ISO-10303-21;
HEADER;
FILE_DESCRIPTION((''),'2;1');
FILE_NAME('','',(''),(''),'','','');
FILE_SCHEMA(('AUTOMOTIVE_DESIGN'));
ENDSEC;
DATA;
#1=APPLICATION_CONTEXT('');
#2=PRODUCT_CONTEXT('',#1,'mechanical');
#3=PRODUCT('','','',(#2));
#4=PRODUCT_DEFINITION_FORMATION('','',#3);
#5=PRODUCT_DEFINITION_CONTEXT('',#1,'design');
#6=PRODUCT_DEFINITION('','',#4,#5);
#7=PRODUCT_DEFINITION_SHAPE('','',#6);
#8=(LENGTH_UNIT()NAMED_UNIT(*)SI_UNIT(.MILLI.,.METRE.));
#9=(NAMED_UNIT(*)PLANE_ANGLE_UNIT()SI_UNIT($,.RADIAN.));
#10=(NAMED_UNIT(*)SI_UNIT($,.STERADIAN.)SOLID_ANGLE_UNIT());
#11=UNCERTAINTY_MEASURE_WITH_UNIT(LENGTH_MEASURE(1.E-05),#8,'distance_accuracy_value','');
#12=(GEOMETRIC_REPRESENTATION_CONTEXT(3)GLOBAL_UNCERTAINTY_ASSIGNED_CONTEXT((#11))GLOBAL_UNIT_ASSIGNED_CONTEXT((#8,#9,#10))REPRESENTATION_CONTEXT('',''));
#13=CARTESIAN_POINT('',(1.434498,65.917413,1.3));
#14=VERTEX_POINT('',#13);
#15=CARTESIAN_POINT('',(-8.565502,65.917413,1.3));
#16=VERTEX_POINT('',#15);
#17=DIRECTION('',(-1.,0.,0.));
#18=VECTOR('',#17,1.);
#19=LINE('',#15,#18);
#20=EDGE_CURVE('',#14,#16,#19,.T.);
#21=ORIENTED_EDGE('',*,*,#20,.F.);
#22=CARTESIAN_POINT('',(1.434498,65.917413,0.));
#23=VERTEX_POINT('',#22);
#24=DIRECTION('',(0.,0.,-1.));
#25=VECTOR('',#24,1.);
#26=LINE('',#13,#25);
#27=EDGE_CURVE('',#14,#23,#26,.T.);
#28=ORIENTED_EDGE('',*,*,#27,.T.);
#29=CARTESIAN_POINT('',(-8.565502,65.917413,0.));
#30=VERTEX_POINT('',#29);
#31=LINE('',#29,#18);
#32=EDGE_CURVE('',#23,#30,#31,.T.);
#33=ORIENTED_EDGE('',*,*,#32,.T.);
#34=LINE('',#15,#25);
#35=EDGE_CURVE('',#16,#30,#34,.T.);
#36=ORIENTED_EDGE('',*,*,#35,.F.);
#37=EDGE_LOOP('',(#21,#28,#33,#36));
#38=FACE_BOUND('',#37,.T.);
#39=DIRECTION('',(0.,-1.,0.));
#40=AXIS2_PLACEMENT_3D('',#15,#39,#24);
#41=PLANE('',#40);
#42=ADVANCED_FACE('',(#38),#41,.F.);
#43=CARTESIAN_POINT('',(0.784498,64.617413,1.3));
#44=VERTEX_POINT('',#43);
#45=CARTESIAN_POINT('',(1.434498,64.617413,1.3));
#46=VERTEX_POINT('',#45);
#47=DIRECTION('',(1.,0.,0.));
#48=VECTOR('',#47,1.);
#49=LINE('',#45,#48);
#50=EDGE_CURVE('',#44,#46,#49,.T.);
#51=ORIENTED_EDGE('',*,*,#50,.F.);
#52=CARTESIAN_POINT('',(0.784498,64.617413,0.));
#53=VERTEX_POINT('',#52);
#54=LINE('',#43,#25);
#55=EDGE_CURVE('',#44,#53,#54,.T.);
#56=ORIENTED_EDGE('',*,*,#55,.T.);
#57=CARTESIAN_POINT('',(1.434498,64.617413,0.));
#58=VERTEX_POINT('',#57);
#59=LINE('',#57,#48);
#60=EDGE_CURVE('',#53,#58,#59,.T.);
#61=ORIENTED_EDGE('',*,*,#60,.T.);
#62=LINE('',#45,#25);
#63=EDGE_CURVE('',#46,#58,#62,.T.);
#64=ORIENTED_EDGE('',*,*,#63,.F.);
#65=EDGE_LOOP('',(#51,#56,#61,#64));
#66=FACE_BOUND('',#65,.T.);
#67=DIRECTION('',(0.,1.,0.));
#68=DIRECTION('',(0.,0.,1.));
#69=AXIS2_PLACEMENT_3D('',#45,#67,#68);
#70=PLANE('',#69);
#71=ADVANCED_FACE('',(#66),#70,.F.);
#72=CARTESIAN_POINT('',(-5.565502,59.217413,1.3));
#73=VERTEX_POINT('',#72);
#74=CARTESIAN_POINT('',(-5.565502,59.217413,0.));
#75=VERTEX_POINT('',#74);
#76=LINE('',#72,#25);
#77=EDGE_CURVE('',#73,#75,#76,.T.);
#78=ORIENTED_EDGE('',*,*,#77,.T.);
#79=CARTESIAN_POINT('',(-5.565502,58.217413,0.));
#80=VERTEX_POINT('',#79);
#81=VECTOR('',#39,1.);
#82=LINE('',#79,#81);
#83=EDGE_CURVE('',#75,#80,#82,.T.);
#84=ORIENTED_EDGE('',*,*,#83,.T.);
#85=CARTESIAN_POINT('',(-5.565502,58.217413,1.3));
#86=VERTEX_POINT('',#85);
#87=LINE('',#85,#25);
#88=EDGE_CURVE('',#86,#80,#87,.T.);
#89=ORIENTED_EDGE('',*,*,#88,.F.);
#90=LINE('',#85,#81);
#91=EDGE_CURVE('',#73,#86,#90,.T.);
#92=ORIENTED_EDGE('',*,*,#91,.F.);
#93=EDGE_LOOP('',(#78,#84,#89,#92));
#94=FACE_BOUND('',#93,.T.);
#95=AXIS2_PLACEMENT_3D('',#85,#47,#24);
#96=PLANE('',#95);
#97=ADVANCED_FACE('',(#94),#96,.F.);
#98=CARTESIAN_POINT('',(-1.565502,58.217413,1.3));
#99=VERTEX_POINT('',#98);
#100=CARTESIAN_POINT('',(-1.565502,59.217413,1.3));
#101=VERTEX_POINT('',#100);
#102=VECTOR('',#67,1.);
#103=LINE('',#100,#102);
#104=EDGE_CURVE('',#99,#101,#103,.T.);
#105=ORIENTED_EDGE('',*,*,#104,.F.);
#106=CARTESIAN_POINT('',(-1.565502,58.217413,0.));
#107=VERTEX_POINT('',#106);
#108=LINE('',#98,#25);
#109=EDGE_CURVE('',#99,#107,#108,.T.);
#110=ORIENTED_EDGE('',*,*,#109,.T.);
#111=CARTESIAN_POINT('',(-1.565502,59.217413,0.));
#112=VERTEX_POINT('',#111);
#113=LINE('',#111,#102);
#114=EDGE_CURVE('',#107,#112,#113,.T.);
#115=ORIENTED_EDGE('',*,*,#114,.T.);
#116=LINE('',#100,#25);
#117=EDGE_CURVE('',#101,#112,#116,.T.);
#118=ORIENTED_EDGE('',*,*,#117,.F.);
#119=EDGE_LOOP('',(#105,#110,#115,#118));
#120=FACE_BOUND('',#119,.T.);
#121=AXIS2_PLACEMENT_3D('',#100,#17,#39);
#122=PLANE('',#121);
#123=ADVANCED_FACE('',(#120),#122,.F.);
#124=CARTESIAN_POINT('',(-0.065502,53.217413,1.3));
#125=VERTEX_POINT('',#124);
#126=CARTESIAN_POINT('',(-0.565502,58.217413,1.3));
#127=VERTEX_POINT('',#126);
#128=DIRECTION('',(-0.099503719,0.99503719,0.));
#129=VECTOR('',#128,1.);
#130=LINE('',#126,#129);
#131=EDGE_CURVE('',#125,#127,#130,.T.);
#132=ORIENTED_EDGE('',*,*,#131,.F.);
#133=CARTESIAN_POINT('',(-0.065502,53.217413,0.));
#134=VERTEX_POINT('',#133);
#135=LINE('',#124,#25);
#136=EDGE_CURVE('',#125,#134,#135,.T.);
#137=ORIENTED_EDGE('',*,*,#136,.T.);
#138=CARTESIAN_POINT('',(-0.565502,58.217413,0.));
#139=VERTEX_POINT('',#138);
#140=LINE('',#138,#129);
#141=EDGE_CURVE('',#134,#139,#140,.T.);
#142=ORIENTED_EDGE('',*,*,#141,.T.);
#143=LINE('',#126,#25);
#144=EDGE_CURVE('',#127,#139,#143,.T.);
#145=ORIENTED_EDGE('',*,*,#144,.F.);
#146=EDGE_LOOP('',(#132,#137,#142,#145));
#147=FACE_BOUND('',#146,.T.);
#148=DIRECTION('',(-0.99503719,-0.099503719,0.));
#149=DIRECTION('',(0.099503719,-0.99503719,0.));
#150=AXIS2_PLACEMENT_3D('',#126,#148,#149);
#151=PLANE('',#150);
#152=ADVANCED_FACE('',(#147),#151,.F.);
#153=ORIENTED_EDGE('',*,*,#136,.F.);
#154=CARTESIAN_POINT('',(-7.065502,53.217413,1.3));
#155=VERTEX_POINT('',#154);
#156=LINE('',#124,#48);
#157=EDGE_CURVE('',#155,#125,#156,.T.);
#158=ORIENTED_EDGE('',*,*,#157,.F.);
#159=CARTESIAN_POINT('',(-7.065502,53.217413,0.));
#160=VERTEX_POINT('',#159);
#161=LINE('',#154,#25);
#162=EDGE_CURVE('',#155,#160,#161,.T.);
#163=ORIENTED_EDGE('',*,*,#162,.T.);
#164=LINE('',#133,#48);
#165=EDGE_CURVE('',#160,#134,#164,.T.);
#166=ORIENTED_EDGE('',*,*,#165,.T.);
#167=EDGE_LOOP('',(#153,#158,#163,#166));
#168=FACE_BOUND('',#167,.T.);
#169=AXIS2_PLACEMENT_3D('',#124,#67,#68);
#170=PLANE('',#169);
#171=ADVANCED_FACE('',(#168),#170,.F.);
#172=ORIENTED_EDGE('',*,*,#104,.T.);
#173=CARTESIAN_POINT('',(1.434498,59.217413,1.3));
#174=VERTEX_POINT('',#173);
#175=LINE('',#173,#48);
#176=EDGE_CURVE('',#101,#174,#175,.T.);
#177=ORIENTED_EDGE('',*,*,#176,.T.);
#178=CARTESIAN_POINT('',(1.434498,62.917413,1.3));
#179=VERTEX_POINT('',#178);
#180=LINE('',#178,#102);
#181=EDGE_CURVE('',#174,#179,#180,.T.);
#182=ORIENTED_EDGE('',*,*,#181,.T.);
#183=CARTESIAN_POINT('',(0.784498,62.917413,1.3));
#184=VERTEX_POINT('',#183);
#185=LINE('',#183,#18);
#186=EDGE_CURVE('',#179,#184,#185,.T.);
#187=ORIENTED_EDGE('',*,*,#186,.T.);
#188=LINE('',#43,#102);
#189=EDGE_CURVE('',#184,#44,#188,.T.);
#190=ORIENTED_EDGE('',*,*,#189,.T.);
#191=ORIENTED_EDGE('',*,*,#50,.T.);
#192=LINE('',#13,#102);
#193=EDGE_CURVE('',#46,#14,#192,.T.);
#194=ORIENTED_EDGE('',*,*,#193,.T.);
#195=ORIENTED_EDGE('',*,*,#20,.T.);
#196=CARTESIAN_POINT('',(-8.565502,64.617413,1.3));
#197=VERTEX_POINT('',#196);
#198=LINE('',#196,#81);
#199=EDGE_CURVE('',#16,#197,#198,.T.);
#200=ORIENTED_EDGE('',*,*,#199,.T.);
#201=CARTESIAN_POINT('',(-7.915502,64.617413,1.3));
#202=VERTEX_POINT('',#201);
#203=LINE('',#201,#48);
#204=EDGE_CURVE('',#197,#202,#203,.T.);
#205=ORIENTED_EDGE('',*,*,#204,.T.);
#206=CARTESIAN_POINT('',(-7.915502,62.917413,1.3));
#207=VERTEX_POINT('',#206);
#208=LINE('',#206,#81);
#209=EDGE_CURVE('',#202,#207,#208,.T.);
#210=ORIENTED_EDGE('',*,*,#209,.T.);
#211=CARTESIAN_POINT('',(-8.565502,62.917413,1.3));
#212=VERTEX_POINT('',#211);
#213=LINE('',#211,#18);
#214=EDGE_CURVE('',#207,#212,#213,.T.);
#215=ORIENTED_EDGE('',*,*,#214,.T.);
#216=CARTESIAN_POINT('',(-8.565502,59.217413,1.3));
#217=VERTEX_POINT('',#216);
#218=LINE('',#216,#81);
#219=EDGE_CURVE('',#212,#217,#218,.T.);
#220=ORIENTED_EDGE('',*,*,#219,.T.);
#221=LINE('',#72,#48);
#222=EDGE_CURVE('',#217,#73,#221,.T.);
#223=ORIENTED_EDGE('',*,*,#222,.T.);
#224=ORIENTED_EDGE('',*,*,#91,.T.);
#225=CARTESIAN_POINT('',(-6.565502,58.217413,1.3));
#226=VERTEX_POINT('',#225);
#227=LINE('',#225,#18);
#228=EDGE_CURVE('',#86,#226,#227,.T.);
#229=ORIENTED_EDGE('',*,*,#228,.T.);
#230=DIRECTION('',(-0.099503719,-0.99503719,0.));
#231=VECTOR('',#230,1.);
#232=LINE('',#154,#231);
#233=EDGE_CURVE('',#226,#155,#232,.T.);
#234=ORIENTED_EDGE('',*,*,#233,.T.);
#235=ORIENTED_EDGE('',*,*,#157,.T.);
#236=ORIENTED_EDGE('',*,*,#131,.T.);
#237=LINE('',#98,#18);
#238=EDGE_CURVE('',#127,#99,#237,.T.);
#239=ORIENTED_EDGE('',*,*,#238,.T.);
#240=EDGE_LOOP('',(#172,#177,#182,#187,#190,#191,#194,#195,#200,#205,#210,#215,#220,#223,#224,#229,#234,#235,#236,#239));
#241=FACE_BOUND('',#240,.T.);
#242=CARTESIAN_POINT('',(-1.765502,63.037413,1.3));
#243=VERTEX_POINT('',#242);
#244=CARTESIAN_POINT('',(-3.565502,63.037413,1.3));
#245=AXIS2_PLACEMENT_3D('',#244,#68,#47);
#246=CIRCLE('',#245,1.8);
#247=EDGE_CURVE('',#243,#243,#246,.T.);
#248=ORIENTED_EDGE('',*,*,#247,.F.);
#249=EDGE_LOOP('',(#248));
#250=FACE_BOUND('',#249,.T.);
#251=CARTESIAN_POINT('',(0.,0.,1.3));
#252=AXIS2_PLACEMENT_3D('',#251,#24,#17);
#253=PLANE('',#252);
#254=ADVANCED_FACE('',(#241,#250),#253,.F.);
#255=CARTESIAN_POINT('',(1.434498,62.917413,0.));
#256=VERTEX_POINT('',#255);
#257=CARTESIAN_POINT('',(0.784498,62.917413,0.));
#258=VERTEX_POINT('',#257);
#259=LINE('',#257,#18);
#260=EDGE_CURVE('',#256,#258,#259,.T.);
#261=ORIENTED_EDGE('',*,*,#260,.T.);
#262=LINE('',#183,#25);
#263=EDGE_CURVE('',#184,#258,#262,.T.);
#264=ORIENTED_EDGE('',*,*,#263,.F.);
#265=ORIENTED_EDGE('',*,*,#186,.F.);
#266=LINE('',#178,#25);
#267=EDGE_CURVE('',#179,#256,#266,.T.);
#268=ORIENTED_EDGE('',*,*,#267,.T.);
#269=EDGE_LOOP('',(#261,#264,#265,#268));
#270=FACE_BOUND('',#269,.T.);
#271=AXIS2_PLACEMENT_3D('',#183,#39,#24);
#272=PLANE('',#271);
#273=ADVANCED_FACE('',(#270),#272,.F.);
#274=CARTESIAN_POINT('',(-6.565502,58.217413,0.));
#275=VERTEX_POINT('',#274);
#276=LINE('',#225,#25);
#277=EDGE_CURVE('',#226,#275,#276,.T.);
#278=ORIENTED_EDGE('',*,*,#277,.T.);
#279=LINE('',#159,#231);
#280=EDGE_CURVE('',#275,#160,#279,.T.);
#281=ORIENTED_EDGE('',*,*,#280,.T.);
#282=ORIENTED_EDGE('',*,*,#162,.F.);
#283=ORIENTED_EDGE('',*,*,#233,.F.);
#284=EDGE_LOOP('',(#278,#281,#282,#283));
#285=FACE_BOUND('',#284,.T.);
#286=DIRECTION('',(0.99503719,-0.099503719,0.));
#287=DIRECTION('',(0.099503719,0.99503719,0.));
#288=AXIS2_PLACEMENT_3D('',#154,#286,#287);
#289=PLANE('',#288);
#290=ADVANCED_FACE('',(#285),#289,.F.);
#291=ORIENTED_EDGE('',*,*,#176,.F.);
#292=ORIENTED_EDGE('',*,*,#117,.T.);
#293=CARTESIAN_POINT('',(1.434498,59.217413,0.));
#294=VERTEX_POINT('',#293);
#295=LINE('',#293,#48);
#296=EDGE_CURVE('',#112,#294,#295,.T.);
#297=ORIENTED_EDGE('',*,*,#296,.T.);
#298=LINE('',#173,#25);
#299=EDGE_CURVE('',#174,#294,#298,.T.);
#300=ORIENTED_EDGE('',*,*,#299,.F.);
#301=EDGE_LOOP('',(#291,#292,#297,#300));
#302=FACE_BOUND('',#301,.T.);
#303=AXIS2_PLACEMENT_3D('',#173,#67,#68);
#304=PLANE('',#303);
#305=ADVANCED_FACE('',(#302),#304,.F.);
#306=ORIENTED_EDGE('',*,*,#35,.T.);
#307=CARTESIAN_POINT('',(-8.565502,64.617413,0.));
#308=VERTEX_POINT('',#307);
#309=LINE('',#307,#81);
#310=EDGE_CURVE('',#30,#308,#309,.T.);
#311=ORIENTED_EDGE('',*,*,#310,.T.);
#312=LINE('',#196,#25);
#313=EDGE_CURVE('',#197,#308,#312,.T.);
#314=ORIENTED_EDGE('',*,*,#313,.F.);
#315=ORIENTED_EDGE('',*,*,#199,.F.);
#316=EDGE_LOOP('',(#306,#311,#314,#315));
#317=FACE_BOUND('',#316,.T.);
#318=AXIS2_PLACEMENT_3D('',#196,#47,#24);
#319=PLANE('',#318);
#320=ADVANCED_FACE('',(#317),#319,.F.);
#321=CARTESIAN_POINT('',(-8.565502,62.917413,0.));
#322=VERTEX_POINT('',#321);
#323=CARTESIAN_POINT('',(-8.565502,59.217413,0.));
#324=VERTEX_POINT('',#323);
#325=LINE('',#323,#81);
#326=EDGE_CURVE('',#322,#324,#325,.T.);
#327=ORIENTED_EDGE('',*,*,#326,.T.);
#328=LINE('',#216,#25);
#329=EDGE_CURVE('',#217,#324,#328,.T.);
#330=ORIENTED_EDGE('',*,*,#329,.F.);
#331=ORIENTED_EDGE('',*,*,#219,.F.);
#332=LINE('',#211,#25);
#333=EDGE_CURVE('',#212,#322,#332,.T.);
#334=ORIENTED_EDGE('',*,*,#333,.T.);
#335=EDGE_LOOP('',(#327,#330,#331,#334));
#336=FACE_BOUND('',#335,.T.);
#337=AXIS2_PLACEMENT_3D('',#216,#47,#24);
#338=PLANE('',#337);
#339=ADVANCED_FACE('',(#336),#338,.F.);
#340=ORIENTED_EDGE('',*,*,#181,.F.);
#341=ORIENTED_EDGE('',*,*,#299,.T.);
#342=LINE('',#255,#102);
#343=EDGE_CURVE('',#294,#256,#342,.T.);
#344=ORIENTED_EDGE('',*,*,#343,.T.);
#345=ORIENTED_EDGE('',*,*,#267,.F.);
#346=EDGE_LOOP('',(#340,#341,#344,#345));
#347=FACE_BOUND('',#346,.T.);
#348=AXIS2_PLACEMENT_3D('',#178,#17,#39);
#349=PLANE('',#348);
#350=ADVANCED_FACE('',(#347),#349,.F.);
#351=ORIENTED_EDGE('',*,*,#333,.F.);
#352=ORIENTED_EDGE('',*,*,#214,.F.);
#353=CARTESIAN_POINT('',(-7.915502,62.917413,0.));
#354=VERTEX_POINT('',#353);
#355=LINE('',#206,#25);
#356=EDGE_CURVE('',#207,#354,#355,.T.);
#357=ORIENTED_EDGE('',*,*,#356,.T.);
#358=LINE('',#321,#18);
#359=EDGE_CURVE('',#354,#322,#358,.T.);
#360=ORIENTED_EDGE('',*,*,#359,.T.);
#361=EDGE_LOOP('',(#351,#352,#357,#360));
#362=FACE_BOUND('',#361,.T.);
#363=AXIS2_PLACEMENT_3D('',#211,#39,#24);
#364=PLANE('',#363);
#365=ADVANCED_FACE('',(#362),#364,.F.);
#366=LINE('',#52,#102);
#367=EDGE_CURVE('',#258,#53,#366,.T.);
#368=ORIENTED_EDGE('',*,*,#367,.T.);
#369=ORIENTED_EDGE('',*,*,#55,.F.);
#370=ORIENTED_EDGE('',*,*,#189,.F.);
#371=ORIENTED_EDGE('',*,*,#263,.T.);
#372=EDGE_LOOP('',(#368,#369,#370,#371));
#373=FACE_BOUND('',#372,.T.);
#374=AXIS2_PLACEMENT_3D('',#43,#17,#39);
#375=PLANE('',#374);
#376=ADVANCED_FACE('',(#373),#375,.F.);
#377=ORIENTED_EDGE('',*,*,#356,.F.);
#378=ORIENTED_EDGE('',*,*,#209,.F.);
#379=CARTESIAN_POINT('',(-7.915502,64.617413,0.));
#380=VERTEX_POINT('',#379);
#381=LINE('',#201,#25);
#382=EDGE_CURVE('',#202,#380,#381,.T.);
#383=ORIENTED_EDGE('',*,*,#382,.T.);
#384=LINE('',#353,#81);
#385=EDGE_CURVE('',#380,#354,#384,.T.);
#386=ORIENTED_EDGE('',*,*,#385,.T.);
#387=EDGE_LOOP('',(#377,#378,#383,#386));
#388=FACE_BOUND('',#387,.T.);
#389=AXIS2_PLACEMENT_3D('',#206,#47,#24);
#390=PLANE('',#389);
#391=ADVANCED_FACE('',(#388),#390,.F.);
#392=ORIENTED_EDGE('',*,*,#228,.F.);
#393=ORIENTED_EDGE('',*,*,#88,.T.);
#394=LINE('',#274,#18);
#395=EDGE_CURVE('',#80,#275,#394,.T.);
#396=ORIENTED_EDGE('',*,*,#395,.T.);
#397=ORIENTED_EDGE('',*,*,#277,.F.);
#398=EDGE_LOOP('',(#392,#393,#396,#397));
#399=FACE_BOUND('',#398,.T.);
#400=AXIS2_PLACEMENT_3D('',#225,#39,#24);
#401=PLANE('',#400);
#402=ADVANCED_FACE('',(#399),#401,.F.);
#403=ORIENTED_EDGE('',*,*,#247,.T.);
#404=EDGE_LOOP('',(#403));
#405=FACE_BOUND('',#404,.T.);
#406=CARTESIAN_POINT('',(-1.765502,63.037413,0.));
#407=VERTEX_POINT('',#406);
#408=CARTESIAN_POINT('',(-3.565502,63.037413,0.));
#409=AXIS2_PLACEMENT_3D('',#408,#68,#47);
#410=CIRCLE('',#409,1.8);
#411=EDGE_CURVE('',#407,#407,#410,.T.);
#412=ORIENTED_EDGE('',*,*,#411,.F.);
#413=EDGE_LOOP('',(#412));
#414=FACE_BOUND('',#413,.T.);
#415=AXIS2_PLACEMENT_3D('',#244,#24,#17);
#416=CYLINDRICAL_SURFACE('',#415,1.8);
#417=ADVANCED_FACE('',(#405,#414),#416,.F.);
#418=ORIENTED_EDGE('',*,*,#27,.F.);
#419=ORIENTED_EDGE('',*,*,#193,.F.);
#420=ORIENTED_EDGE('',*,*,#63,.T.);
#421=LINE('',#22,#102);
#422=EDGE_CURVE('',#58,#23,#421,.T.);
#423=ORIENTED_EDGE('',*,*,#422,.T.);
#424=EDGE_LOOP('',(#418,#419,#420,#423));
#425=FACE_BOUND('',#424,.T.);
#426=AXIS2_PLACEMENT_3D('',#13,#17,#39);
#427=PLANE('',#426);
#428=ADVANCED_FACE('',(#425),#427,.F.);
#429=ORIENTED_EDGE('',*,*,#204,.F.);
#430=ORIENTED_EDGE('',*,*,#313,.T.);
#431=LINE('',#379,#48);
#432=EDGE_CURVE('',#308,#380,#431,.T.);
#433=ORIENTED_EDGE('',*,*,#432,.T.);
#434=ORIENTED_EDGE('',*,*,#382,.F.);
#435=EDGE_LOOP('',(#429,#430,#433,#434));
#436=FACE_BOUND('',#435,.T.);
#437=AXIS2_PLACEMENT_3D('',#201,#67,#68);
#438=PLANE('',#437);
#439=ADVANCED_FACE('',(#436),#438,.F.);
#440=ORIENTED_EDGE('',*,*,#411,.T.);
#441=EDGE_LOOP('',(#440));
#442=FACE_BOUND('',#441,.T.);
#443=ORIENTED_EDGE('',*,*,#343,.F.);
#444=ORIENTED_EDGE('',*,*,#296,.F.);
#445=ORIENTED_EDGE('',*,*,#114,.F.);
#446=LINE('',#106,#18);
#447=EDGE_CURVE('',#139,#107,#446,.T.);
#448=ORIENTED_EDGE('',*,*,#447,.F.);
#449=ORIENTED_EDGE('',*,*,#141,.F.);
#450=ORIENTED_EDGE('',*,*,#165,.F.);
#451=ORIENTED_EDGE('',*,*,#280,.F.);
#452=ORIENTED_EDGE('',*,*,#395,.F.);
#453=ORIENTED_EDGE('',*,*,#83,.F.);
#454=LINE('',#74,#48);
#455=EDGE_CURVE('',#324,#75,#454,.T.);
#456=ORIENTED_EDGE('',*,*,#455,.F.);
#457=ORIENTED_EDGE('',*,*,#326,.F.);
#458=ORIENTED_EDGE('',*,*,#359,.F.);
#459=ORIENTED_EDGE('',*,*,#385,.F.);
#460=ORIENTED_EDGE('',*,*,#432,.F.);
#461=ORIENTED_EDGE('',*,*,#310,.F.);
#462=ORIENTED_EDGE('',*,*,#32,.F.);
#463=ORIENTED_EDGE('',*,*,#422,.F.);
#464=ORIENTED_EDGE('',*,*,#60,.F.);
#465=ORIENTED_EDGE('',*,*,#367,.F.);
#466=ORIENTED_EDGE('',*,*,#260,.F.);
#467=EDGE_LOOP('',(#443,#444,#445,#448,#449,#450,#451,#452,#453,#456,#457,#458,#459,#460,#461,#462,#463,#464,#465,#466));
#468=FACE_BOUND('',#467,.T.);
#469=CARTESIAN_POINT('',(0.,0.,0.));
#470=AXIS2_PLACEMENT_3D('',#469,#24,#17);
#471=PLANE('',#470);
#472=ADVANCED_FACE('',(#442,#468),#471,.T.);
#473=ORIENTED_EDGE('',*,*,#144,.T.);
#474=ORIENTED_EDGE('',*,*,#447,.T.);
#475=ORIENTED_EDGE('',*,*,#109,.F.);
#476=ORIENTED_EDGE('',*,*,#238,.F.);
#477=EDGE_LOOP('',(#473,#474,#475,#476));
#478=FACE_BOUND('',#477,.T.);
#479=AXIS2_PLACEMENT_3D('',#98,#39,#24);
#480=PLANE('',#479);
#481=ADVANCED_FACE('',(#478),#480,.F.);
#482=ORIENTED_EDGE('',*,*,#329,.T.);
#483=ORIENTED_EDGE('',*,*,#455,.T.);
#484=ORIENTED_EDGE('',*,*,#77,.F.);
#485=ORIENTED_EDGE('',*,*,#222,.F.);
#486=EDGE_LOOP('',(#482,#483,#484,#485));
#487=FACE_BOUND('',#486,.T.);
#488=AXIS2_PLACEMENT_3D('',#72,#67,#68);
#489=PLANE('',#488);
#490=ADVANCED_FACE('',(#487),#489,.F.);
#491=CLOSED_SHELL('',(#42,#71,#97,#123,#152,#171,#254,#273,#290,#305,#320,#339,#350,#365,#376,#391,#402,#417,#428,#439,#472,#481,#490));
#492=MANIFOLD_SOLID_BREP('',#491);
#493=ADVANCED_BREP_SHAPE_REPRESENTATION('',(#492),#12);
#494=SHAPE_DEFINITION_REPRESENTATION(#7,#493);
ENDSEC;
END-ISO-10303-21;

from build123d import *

# Parameters (mm, degrees)
SKETCH1_R           = 1.8
BOSS_EXTRUDE1_DEPTH = 1.3


with BuildPart() as part:
    # Sketch1 → Boss-Extrude1 (new body)
    with BuildSketch(Plane.XY):
        Polygon((-8.56550235, 65.917412861), (1.43449765, 65.917412861), (1.43449765, 64.617412861), (0.78449765, 64.617412861), (0.78449765, 62.917412861), (1.43449765, 62.917412861), (1.43449765, 59.217412861), (-1.56550235, 59.217412861), (-1.56550235, 58.217412861), (-0.56550235, 58.217412861), (-0.06550235, 53.217412861), (-7.06550235, 53.217412861), (-6.56550235, 58.217412861), (-5.56550235, 58.217412861), (-5.56550235, 59.217412861), (-8.56550235, 59.217412861), (-8.56550235, 62.917412861), (-7.91550235, 62.917412861), (-7.91550235, 64.617412861), (-8.56550235, 64.617412861), align=None)
        with Locations((-3.56550235, 63.037412861)):
            Circle(SKETCH1_R, mode=Mode.SUBTRACT)
    extrude(amount=BOSS_EXTRUDE1_DEPTH)


solid = part.part
